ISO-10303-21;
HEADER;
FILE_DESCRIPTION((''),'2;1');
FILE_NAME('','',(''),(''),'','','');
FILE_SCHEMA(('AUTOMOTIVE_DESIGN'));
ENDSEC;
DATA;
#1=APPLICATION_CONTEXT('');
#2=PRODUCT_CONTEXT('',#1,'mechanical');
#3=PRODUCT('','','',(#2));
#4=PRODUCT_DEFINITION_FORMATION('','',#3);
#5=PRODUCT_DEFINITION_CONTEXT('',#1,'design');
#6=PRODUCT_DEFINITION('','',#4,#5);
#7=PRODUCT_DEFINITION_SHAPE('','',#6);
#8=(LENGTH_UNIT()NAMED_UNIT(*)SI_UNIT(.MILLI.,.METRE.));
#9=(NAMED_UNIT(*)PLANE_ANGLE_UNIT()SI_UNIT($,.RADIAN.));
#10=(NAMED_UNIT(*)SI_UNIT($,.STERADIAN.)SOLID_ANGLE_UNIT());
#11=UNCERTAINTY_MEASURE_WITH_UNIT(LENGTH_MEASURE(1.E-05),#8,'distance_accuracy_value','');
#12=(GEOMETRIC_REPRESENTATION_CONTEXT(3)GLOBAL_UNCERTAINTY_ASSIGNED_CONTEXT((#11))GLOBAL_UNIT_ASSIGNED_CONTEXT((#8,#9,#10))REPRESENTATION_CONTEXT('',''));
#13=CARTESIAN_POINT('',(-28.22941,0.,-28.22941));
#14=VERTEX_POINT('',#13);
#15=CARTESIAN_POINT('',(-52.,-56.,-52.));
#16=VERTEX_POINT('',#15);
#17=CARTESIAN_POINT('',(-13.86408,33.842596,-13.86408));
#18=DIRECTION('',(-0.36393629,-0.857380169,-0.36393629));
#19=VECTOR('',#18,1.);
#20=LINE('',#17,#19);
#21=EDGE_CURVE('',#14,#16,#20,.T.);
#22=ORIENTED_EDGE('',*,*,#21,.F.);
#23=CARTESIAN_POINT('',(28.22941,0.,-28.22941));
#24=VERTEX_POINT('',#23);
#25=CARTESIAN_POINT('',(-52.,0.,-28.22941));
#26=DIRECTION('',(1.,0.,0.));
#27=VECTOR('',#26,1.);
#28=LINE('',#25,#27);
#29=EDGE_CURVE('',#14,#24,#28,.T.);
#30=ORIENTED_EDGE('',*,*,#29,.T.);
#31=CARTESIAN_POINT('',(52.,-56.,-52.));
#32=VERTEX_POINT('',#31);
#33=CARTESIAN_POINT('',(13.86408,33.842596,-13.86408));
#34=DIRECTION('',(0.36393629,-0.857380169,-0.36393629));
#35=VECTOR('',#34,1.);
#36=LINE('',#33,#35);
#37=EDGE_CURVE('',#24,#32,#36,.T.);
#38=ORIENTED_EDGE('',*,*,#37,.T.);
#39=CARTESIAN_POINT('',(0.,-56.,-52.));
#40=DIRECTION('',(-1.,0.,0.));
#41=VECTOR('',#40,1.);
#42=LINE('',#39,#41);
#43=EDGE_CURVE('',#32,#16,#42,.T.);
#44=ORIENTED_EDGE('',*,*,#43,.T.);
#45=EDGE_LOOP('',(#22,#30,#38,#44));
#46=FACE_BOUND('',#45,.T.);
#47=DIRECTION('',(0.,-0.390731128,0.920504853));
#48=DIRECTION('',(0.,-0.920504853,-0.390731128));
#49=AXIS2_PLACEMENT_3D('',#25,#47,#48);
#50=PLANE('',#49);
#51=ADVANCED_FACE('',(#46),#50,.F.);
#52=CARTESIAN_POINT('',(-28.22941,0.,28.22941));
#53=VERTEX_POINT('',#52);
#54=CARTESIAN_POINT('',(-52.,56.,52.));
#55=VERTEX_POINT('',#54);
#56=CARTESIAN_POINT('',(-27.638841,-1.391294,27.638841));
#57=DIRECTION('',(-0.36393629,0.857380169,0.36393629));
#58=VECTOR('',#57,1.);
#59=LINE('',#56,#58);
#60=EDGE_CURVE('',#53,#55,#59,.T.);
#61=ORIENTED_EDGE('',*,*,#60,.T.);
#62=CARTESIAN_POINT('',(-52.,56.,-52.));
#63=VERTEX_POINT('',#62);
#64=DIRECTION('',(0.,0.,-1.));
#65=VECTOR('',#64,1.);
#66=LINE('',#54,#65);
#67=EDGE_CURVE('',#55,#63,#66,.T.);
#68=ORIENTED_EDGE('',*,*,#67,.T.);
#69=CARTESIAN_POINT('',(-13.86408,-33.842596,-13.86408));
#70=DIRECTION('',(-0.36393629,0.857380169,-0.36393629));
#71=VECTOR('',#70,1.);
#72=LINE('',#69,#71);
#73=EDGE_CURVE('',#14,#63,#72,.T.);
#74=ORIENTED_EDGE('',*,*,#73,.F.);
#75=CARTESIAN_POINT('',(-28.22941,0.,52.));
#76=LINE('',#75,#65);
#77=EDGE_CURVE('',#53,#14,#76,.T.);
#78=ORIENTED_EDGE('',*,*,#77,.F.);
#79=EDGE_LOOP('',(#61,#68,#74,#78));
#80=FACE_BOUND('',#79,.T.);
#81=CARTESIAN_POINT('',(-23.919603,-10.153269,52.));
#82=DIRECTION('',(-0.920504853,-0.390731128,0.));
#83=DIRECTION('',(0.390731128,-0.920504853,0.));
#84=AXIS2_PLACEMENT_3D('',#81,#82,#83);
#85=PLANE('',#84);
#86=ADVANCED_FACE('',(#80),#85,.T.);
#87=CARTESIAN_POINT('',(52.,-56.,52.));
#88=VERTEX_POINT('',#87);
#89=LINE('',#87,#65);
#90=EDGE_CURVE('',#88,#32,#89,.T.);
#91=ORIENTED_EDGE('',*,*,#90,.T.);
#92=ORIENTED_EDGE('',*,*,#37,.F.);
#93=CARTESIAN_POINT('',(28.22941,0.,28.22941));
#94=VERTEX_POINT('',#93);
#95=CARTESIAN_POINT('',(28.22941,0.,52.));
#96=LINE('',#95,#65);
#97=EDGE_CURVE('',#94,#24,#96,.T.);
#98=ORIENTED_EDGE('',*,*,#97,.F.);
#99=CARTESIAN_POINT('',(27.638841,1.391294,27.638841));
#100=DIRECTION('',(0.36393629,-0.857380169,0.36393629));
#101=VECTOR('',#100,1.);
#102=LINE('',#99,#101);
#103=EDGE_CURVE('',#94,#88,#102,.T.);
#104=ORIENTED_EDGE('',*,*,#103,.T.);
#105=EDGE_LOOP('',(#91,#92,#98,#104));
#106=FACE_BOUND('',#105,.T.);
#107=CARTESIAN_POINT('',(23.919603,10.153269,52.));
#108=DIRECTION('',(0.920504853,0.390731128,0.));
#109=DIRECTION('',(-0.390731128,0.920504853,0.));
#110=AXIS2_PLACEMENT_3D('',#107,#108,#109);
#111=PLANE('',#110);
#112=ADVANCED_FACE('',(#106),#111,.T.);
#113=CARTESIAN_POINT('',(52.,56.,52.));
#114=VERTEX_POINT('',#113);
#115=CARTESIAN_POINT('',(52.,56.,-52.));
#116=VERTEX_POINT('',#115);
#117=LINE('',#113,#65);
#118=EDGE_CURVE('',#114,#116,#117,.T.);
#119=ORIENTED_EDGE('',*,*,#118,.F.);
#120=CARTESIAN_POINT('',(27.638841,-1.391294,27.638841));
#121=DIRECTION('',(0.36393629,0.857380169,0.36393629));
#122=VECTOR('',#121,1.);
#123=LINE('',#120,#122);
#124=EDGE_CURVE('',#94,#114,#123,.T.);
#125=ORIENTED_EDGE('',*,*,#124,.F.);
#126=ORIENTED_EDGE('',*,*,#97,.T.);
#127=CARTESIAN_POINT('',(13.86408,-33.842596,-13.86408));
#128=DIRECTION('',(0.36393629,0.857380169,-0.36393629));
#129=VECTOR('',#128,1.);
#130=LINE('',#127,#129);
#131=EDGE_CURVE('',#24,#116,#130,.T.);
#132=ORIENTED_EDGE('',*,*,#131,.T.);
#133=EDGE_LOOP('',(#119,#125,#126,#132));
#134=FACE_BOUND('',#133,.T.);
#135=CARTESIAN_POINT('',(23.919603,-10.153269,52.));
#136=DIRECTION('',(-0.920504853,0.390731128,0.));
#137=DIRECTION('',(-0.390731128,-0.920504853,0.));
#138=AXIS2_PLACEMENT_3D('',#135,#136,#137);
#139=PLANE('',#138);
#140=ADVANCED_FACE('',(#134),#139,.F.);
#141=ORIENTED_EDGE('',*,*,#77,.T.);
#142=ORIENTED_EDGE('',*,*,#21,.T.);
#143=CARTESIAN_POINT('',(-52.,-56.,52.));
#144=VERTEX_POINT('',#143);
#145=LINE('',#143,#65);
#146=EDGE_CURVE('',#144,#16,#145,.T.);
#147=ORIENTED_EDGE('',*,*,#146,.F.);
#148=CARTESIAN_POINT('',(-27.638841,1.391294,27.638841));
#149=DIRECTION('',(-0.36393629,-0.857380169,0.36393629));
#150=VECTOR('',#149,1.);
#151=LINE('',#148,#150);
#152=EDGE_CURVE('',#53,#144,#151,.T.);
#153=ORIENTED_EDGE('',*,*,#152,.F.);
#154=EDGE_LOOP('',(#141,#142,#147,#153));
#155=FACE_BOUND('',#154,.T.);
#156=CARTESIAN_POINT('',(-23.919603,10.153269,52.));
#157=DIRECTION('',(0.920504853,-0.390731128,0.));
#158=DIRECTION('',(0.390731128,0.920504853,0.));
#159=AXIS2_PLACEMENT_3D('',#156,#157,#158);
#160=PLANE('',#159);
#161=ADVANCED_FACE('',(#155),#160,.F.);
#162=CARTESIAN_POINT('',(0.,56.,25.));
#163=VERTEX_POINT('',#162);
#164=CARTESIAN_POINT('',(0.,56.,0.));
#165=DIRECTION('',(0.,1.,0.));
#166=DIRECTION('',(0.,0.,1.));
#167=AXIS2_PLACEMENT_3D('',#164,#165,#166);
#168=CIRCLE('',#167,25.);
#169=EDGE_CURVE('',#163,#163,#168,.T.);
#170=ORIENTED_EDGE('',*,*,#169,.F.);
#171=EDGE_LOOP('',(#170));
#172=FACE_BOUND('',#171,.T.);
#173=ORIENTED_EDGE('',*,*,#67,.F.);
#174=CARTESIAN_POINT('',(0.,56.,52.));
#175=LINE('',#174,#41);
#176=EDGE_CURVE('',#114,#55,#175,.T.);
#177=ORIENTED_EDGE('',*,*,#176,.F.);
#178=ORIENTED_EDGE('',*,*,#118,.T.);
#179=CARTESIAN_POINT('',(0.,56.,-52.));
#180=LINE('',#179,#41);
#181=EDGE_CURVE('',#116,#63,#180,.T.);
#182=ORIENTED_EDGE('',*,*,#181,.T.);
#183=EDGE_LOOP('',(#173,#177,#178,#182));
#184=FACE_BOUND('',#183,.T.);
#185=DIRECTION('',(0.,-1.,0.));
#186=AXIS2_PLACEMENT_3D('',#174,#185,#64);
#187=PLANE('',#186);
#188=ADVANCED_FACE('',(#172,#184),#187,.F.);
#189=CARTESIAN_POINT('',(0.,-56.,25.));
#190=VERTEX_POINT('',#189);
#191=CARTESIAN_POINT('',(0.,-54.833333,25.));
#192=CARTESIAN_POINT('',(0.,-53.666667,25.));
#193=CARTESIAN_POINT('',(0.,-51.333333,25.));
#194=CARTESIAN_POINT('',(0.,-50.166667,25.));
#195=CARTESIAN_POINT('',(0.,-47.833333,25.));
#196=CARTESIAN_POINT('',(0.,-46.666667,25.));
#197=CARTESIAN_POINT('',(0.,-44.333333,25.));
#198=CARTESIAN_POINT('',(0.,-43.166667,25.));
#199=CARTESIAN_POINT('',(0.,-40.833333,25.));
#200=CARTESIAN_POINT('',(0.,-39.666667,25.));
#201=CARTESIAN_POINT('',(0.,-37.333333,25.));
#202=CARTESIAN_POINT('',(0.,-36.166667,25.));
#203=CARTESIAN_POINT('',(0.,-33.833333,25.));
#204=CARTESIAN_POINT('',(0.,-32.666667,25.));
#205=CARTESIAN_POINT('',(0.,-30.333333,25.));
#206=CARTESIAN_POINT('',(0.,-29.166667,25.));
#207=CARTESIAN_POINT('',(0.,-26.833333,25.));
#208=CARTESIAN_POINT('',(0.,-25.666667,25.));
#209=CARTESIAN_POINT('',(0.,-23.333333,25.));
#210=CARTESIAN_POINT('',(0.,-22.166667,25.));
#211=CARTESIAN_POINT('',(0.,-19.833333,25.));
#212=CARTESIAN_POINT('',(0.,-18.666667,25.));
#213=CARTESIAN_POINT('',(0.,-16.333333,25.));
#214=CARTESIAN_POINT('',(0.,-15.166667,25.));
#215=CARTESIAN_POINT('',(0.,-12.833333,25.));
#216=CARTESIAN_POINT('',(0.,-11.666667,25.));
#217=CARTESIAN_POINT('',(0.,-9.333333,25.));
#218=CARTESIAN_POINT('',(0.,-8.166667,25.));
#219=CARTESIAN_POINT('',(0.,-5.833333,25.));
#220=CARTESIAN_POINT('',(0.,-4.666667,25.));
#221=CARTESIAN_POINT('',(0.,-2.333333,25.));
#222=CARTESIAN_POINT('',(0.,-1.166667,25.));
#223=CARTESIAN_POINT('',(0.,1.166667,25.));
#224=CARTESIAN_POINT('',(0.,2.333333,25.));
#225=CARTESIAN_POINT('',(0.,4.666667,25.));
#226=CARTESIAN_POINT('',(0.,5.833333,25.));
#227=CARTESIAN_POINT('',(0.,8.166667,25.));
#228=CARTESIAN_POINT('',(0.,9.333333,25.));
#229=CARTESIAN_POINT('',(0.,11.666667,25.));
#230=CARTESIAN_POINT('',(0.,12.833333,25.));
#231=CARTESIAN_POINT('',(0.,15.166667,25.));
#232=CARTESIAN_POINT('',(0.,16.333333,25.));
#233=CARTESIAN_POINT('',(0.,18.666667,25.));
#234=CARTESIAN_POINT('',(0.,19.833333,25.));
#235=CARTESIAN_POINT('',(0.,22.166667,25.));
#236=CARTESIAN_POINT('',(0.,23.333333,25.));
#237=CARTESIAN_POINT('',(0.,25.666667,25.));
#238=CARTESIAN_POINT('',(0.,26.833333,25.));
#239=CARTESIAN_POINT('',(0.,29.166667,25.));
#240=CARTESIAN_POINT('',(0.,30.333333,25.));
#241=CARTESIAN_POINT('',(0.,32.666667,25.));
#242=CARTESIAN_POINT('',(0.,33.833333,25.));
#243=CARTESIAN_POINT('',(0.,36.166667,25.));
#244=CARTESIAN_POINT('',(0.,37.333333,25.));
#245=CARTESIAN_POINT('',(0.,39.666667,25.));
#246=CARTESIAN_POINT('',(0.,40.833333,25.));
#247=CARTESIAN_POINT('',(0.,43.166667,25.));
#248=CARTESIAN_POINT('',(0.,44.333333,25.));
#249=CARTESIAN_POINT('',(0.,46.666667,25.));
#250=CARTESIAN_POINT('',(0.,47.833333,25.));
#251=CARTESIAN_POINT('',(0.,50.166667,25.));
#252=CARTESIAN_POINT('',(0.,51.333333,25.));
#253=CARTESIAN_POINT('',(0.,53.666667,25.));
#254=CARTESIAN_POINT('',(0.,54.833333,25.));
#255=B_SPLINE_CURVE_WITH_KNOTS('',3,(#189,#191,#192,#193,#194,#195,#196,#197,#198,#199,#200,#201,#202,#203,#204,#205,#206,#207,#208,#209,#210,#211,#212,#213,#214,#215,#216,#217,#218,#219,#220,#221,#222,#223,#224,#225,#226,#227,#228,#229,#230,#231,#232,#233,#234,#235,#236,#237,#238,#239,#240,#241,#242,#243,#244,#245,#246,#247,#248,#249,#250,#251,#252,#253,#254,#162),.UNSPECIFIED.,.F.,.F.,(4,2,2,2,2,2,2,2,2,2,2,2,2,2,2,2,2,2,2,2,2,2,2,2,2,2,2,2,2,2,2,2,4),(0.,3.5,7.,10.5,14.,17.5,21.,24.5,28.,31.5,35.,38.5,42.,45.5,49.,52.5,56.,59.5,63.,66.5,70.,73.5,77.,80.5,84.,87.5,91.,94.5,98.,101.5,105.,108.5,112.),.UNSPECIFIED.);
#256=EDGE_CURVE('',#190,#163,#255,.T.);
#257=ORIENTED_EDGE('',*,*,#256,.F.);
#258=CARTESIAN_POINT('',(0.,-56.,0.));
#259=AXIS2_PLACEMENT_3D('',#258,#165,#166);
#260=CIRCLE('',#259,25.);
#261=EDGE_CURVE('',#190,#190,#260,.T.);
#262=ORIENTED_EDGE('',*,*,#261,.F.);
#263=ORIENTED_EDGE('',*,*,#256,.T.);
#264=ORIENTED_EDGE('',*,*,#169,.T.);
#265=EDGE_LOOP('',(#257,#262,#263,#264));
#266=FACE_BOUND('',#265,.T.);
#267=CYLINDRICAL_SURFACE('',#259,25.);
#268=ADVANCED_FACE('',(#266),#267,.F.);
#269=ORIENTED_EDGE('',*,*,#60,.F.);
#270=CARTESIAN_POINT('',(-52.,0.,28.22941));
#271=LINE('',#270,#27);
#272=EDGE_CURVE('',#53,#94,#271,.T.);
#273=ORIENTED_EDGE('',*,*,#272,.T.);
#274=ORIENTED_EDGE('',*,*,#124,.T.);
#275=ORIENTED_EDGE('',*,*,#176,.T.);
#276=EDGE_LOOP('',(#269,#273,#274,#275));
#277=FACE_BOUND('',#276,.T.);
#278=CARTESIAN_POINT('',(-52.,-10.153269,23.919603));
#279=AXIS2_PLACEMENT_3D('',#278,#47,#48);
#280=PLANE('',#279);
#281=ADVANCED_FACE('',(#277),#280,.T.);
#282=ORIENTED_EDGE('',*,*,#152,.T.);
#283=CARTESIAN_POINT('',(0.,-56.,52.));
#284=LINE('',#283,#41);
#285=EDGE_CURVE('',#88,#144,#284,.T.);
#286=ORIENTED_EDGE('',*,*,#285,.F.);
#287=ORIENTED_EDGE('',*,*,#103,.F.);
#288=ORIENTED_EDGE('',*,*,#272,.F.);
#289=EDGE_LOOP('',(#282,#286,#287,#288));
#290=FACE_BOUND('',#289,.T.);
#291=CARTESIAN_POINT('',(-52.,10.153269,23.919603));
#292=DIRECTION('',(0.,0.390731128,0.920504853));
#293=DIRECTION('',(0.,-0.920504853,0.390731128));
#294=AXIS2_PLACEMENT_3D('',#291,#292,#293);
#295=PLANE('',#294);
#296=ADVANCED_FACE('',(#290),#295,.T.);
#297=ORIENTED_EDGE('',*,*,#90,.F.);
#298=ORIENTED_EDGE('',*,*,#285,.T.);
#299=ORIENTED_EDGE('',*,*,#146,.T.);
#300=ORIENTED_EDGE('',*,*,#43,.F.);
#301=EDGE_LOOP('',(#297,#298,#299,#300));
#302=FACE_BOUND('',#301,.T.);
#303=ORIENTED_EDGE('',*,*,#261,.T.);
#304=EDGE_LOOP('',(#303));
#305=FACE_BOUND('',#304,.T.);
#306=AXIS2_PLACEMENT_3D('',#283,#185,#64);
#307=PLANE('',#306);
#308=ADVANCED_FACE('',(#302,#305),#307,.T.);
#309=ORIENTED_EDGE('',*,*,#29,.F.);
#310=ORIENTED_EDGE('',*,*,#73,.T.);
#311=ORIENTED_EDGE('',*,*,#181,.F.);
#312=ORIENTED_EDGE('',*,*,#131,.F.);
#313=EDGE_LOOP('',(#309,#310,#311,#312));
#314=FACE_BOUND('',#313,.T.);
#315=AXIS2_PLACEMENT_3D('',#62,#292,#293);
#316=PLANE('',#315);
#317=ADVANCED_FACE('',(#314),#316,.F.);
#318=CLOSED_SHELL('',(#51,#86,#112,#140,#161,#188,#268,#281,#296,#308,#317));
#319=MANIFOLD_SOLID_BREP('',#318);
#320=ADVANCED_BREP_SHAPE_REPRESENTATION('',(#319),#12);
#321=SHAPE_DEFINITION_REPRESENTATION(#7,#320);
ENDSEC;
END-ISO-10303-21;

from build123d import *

# Parameters (mm, degrees)
BOSS_EXTRU_2_DEPTH           = 52
ESQUISSE3_R                  = 25
ENL_V_MAT_EXTRU_1_DEPTH      = 134.985073796
ENL_V_MAT_EXTRU_2_DEPTH      = 93.433760066
ENL_V_MAT_EXTRU_2_DEPTH_BACK = 93.433760066


with BuildPart() as part:
    # Esquisse2 → Boss.-Extru.2 (new, symmetric)
    with BuildSketch(Plane.XY):
        Polygon((28.229410292, 0), (52, -56), (-52, -56), (-28.229410292, 0), align=None)
        Polygon((-28.229410292, 0), (-52, 56), (52, 56), (28.229410292, 0), align=None)
    extrude(amount=BOSS_EXTRU_2_DEPTH, both=True)

    # Esquisse3 → Enlèv. mat.-Extru.1 (cut, through all)
    with BuildSketch(Plane(origin=(0, 56, 0), x_dir=(1, 0, 0), z_dir=(0, 1, 0))):
        with Locations(Location((0, 0, 0), (0, 0, 270))):
            Circle(ESQUISSE3_R)
    extrude(amount=-ENL_V_MAT_EXTRU_1_DEPTH, mode=Mode.SUBTRACT)

    # Esquisse4 → Enlèv. mat.-Extru.2 (cut, two sides: drawn at the far end of the back side and taken through both)
    with BuildSketch(Plane(origin=(0, 0, 0), x_dir=(0, 0, -1), z_dir=(1, 0, 0)).offset(-ENL_V_MAT_EXTRU_2_DEPTH_BACK)):
        Polygon((-28.229410292, 0), (-52, 56), (-52, 1.282618983), (-52, -56), align=None)
        Polygon((52, 56), (28.229410292, 0), (52, -56), align=None)
    extrude(amount=ENL_V_MAT_EXTRU_2_DEPTH + ENL_V_MAT_EXTRU_2_DEPTH_BACK, mode=Mode.SUBTRACT)


solid = part.part
